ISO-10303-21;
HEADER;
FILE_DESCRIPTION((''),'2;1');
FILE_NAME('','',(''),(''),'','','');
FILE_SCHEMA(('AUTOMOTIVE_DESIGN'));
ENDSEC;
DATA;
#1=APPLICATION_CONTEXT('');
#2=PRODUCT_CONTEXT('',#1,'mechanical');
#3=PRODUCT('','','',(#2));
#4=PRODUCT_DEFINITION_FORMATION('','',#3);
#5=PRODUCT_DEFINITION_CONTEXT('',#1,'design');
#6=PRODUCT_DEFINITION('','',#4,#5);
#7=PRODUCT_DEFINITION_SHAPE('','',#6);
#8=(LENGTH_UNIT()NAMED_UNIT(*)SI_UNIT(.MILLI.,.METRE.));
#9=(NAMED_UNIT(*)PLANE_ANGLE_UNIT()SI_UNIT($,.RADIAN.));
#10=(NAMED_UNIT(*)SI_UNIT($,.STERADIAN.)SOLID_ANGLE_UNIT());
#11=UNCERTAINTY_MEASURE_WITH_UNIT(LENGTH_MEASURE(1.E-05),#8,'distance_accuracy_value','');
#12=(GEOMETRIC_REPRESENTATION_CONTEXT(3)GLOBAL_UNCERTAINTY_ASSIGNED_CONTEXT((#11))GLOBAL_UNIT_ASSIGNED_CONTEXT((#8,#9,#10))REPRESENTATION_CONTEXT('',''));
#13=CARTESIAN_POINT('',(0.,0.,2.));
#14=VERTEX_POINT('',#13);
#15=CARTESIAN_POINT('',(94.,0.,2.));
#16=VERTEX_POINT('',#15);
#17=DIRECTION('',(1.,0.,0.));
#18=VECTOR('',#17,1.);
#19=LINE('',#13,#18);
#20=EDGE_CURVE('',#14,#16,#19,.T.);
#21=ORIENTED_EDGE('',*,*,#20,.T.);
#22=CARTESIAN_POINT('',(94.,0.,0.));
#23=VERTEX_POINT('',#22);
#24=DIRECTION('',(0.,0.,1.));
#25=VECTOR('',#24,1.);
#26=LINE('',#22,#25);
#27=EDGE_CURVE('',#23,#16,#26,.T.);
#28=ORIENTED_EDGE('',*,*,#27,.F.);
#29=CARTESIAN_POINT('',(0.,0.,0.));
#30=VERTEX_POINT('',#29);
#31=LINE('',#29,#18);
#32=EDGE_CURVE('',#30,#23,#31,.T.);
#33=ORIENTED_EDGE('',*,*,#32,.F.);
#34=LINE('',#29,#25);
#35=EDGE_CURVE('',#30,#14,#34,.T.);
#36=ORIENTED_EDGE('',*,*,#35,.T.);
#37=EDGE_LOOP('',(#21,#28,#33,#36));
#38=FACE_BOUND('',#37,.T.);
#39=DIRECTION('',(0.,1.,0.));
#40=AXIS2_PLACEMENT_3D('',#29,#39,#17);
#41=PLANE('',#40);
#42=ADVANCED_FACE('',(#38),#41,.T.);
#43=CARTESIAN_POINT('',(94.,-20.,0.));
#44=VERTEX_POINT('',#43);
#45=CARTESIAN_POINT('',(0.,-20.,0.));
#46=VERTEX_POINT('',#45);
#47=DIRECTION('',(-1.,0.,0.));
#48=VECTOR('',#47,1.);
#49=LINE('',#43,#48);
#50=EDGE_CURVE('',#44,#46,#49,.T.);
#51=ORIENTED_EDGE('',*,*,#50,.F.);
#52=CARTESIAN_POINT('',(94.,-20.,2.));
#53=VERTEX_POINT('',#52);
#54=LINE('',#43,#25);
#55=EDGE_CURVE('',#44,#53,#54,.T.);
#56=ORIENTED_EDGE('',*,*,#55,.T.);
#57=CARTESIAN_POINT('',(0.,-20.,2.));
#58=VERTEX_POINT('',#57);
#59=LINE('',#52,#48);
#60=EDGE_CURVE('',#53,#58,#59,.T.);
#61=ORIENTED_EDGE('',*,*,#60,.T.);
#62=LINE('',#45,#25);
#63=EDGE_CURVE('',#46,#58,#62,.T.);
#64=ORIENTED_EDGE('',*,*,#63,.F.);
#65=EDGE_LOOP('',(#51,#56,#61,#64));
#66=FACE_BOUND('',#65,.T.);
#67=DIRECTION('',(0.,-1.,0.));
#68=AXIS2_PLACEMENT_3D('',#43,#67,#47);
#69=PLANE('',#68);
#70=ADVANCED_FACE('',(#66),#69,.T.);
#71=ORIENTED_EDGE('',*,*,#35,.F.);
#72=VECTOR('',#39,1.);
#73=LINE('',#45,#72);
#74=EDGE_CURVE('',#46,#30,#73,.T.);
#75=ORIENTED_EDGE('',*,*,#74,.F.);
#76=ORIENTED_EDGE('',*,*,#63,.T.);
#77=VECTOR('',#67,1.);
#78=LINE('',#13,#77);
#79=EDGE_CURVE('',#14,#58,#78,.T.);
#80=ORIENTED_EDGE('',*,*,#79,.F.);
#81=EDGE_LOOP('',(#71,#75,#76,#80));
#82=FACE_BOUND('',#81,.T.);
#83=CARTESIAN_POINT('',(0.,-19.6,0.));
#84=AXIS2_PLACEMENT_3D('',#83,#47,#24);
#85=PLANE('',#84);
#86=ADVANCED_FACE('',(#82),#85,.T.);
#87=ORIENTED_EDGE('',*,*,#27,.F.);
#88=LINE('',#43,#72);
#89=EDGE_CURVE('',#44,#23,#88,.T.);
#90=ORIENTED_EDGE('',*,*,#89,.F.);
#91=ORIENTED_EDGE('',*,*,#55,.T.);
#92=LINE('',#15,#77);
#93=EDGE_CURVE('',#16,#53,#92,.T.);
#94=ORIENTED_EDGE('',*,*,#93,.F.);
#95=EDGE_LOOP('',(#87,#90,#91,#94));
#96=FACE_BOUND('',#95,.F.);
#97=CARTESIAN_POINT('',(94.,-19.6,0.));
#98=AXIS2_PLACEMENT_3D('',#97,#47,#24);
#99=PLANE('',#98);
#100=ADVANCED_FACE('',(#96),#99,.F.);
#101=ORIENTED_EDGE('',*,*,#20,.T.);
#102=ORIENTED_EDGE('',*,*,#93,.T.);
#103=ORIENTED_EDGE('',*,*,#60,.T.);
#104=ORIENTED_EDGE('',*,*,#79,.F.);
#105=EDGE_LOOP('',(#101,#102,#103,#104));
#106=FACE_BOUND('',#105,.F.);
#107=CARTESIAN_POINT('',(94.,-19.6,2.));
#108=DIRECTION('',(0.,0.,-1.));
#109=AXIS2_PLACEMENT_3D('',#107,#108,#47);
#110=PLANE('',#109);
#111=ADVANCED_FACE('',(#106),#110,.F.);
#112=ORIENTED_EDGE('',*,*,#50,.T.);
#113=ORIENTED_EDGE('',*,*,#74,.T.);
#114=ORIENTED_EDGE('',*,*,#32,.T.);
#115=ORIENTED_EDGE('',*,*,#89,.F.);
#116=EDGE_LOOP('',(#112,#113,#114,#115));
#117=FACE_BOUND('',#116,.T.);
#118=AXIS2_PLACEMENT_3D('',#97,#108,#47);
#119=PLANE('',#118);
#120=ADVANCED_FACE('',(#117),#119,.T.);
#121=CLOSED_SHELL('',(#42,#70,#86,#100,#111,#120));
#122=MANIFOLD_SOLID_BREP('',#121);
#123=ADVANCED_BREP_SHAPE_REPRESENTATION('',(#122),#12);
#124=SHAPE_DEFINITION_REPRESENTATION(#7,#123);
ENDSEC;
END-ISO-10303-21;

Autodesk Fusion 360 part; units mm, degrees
sketch "Sketch1" plane through (0, 0, 0) normal (0, 0, 1) x (1, 0, 0)
  line L0 (0, 0) -> (94, 0)
  line L1 (94, 0) -> (94, -25)
  line L2 (94, -25) -> (0, -25)
  line L3 (0, -25) -> (0, 0)
  dimension "d1" = 94
  dimension "d2" = 25
extrude "Extrude1" add sketch "Sketch1" along normal blind 2
extrude "Extrude2" cut 1 faces at (62.6667, -25, 0.6667) along direction (0, 1, 0) blind 2.7
extrude "Extrude3" cut 1 faces at (62.6667, -22.3, 0.6667) along direction (0, 1, 0) blind 1.7
extrude "Extrude4" cut 1 faces at (62.6667, -20.6, 0.6667) along direction (0, 1, 0) blind 1
extrude "Extrude5" add 1 faces at (62.6667, -19.6, 0.6667) along direction (0, -1, 0) blind 0.4
